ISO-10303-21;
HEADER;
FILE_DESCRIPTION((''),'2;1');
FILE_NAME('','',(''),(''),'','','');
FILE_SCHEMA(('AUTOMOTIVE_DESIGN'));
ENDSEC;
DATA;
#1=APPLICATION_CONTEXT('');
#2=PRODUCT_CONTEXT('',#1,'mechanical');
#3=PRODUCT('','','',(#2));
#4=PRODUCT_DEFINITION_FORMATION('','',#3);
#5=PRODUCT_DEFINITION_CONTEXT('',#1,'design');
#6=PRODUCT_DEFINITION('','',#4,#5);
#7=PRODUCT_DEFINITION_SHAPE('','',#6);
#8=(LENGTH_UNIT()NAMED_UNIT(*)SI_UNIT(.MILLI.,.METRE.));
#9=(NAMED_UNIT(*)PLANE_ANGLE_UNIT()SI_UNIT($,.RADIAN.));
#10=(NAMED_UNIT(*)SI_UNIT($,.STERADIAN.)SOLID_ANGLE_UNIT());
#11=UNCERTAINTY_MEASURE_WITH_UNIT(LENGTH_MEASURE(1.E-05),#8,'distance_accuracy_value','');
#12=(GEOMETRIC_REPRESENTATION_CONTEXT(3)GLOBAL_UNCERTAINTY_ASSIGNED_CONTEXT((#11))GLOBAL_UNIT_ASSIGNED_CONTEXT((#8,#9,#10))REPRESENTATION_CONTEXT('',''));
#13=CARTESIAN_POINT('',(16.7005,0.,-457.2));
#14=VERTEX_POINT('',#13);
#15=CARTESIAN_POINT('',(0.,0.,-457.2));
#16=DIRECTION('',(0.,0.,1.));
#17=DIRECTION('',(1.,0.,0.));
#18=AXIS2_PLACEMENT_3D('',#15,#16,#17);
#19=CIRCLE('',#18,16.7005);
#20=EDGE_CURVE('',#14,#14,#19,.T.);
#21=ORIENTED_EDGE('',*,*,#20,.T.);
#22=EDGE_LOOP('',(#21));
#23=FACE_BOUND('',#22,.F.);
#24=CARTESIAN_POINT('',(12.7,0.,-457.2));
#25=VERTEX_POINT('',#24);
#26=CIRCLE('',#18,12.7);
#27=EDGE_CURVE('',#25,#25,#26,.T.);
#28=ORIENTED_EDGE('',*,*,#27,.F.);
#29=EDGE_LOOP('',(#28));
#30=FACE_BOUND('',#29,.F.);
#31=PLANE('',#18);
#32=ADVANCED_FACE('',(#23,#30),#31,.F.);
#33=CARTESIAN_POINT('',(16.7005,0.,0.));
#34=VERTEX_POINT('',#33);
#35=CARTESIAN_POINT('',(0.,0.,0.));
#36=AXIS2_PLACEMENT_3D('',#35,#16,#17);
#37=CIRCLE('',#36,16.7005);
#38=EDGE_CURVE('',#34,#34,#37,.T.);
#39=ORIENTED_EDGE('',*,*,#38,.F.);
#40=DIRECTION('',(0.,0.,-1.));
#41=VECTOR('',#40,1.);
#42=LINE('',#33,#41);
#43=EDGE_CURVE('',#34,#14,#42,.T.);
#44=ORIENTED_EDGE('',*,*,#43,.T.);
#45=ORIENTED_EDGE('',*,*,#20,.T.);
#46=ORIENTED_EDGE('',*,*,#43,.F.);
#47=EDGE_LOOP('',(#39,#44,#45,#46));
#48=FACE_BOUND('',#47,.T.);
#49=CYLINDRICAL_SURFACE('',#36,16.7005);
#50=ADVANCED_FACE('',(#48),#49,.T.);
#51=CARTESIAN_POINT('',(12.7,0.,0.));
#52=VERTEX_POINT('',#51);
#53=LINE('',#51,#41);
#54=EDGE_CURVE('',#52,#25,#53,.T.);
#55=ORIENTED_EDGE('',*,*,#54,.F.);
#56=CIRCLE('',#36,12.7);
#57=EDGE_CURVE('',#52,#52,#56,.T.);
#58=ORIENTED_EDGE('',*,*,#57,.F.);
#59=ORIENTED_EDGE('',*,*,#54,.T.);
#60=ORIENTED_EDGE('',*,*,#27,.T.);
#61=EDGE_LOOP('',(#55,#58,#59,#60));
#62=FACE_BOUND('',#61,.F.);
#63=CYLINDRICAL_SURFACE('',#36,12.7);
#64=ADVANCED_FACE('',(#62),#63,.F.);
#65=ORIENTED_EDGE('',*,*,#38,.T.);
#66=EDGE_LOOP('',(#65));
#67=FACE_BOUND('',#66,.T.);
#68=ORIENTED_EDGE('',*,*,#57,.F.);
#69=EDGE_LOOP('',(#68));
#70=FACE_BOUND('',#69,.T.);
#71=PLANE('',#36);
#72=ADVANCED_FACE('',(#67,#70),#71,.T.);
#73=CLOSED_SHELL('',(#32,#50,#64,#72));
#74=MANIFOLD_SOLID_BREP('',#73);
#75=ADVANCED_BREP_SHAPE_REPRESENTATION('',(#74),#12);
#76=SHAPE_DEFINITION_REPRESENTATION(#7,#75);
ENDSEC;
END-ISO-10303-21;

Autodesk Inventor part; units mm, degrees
ref_plane "YZ Plane" through (0, 0, 0) normal (1, 0, 0) x (0, 1, 0)
ref_plane "XZ Plane" through (0, 0, 0) normal (0, 1, 0) x (-1, 0, 0)
ref_plane "XY Plane" through (0, 0, 0) normal (0, 0, 1) x (1, 0, 0)
sketch "Sketch1" plane through (0, 0, 0) normal (0, 0, 1) x (1, 0, 0)
  circle A0 centre (0, 0) radius 16.7005
  circle A1 centre (0, 0) radius 12.7
  dimension "d0" = 33.401
  dimension "d1" = 25.4
extrude "Extrusion1" add sketch "Sketch1" against normal blind 457.2
properties part number "Pipe 3"
